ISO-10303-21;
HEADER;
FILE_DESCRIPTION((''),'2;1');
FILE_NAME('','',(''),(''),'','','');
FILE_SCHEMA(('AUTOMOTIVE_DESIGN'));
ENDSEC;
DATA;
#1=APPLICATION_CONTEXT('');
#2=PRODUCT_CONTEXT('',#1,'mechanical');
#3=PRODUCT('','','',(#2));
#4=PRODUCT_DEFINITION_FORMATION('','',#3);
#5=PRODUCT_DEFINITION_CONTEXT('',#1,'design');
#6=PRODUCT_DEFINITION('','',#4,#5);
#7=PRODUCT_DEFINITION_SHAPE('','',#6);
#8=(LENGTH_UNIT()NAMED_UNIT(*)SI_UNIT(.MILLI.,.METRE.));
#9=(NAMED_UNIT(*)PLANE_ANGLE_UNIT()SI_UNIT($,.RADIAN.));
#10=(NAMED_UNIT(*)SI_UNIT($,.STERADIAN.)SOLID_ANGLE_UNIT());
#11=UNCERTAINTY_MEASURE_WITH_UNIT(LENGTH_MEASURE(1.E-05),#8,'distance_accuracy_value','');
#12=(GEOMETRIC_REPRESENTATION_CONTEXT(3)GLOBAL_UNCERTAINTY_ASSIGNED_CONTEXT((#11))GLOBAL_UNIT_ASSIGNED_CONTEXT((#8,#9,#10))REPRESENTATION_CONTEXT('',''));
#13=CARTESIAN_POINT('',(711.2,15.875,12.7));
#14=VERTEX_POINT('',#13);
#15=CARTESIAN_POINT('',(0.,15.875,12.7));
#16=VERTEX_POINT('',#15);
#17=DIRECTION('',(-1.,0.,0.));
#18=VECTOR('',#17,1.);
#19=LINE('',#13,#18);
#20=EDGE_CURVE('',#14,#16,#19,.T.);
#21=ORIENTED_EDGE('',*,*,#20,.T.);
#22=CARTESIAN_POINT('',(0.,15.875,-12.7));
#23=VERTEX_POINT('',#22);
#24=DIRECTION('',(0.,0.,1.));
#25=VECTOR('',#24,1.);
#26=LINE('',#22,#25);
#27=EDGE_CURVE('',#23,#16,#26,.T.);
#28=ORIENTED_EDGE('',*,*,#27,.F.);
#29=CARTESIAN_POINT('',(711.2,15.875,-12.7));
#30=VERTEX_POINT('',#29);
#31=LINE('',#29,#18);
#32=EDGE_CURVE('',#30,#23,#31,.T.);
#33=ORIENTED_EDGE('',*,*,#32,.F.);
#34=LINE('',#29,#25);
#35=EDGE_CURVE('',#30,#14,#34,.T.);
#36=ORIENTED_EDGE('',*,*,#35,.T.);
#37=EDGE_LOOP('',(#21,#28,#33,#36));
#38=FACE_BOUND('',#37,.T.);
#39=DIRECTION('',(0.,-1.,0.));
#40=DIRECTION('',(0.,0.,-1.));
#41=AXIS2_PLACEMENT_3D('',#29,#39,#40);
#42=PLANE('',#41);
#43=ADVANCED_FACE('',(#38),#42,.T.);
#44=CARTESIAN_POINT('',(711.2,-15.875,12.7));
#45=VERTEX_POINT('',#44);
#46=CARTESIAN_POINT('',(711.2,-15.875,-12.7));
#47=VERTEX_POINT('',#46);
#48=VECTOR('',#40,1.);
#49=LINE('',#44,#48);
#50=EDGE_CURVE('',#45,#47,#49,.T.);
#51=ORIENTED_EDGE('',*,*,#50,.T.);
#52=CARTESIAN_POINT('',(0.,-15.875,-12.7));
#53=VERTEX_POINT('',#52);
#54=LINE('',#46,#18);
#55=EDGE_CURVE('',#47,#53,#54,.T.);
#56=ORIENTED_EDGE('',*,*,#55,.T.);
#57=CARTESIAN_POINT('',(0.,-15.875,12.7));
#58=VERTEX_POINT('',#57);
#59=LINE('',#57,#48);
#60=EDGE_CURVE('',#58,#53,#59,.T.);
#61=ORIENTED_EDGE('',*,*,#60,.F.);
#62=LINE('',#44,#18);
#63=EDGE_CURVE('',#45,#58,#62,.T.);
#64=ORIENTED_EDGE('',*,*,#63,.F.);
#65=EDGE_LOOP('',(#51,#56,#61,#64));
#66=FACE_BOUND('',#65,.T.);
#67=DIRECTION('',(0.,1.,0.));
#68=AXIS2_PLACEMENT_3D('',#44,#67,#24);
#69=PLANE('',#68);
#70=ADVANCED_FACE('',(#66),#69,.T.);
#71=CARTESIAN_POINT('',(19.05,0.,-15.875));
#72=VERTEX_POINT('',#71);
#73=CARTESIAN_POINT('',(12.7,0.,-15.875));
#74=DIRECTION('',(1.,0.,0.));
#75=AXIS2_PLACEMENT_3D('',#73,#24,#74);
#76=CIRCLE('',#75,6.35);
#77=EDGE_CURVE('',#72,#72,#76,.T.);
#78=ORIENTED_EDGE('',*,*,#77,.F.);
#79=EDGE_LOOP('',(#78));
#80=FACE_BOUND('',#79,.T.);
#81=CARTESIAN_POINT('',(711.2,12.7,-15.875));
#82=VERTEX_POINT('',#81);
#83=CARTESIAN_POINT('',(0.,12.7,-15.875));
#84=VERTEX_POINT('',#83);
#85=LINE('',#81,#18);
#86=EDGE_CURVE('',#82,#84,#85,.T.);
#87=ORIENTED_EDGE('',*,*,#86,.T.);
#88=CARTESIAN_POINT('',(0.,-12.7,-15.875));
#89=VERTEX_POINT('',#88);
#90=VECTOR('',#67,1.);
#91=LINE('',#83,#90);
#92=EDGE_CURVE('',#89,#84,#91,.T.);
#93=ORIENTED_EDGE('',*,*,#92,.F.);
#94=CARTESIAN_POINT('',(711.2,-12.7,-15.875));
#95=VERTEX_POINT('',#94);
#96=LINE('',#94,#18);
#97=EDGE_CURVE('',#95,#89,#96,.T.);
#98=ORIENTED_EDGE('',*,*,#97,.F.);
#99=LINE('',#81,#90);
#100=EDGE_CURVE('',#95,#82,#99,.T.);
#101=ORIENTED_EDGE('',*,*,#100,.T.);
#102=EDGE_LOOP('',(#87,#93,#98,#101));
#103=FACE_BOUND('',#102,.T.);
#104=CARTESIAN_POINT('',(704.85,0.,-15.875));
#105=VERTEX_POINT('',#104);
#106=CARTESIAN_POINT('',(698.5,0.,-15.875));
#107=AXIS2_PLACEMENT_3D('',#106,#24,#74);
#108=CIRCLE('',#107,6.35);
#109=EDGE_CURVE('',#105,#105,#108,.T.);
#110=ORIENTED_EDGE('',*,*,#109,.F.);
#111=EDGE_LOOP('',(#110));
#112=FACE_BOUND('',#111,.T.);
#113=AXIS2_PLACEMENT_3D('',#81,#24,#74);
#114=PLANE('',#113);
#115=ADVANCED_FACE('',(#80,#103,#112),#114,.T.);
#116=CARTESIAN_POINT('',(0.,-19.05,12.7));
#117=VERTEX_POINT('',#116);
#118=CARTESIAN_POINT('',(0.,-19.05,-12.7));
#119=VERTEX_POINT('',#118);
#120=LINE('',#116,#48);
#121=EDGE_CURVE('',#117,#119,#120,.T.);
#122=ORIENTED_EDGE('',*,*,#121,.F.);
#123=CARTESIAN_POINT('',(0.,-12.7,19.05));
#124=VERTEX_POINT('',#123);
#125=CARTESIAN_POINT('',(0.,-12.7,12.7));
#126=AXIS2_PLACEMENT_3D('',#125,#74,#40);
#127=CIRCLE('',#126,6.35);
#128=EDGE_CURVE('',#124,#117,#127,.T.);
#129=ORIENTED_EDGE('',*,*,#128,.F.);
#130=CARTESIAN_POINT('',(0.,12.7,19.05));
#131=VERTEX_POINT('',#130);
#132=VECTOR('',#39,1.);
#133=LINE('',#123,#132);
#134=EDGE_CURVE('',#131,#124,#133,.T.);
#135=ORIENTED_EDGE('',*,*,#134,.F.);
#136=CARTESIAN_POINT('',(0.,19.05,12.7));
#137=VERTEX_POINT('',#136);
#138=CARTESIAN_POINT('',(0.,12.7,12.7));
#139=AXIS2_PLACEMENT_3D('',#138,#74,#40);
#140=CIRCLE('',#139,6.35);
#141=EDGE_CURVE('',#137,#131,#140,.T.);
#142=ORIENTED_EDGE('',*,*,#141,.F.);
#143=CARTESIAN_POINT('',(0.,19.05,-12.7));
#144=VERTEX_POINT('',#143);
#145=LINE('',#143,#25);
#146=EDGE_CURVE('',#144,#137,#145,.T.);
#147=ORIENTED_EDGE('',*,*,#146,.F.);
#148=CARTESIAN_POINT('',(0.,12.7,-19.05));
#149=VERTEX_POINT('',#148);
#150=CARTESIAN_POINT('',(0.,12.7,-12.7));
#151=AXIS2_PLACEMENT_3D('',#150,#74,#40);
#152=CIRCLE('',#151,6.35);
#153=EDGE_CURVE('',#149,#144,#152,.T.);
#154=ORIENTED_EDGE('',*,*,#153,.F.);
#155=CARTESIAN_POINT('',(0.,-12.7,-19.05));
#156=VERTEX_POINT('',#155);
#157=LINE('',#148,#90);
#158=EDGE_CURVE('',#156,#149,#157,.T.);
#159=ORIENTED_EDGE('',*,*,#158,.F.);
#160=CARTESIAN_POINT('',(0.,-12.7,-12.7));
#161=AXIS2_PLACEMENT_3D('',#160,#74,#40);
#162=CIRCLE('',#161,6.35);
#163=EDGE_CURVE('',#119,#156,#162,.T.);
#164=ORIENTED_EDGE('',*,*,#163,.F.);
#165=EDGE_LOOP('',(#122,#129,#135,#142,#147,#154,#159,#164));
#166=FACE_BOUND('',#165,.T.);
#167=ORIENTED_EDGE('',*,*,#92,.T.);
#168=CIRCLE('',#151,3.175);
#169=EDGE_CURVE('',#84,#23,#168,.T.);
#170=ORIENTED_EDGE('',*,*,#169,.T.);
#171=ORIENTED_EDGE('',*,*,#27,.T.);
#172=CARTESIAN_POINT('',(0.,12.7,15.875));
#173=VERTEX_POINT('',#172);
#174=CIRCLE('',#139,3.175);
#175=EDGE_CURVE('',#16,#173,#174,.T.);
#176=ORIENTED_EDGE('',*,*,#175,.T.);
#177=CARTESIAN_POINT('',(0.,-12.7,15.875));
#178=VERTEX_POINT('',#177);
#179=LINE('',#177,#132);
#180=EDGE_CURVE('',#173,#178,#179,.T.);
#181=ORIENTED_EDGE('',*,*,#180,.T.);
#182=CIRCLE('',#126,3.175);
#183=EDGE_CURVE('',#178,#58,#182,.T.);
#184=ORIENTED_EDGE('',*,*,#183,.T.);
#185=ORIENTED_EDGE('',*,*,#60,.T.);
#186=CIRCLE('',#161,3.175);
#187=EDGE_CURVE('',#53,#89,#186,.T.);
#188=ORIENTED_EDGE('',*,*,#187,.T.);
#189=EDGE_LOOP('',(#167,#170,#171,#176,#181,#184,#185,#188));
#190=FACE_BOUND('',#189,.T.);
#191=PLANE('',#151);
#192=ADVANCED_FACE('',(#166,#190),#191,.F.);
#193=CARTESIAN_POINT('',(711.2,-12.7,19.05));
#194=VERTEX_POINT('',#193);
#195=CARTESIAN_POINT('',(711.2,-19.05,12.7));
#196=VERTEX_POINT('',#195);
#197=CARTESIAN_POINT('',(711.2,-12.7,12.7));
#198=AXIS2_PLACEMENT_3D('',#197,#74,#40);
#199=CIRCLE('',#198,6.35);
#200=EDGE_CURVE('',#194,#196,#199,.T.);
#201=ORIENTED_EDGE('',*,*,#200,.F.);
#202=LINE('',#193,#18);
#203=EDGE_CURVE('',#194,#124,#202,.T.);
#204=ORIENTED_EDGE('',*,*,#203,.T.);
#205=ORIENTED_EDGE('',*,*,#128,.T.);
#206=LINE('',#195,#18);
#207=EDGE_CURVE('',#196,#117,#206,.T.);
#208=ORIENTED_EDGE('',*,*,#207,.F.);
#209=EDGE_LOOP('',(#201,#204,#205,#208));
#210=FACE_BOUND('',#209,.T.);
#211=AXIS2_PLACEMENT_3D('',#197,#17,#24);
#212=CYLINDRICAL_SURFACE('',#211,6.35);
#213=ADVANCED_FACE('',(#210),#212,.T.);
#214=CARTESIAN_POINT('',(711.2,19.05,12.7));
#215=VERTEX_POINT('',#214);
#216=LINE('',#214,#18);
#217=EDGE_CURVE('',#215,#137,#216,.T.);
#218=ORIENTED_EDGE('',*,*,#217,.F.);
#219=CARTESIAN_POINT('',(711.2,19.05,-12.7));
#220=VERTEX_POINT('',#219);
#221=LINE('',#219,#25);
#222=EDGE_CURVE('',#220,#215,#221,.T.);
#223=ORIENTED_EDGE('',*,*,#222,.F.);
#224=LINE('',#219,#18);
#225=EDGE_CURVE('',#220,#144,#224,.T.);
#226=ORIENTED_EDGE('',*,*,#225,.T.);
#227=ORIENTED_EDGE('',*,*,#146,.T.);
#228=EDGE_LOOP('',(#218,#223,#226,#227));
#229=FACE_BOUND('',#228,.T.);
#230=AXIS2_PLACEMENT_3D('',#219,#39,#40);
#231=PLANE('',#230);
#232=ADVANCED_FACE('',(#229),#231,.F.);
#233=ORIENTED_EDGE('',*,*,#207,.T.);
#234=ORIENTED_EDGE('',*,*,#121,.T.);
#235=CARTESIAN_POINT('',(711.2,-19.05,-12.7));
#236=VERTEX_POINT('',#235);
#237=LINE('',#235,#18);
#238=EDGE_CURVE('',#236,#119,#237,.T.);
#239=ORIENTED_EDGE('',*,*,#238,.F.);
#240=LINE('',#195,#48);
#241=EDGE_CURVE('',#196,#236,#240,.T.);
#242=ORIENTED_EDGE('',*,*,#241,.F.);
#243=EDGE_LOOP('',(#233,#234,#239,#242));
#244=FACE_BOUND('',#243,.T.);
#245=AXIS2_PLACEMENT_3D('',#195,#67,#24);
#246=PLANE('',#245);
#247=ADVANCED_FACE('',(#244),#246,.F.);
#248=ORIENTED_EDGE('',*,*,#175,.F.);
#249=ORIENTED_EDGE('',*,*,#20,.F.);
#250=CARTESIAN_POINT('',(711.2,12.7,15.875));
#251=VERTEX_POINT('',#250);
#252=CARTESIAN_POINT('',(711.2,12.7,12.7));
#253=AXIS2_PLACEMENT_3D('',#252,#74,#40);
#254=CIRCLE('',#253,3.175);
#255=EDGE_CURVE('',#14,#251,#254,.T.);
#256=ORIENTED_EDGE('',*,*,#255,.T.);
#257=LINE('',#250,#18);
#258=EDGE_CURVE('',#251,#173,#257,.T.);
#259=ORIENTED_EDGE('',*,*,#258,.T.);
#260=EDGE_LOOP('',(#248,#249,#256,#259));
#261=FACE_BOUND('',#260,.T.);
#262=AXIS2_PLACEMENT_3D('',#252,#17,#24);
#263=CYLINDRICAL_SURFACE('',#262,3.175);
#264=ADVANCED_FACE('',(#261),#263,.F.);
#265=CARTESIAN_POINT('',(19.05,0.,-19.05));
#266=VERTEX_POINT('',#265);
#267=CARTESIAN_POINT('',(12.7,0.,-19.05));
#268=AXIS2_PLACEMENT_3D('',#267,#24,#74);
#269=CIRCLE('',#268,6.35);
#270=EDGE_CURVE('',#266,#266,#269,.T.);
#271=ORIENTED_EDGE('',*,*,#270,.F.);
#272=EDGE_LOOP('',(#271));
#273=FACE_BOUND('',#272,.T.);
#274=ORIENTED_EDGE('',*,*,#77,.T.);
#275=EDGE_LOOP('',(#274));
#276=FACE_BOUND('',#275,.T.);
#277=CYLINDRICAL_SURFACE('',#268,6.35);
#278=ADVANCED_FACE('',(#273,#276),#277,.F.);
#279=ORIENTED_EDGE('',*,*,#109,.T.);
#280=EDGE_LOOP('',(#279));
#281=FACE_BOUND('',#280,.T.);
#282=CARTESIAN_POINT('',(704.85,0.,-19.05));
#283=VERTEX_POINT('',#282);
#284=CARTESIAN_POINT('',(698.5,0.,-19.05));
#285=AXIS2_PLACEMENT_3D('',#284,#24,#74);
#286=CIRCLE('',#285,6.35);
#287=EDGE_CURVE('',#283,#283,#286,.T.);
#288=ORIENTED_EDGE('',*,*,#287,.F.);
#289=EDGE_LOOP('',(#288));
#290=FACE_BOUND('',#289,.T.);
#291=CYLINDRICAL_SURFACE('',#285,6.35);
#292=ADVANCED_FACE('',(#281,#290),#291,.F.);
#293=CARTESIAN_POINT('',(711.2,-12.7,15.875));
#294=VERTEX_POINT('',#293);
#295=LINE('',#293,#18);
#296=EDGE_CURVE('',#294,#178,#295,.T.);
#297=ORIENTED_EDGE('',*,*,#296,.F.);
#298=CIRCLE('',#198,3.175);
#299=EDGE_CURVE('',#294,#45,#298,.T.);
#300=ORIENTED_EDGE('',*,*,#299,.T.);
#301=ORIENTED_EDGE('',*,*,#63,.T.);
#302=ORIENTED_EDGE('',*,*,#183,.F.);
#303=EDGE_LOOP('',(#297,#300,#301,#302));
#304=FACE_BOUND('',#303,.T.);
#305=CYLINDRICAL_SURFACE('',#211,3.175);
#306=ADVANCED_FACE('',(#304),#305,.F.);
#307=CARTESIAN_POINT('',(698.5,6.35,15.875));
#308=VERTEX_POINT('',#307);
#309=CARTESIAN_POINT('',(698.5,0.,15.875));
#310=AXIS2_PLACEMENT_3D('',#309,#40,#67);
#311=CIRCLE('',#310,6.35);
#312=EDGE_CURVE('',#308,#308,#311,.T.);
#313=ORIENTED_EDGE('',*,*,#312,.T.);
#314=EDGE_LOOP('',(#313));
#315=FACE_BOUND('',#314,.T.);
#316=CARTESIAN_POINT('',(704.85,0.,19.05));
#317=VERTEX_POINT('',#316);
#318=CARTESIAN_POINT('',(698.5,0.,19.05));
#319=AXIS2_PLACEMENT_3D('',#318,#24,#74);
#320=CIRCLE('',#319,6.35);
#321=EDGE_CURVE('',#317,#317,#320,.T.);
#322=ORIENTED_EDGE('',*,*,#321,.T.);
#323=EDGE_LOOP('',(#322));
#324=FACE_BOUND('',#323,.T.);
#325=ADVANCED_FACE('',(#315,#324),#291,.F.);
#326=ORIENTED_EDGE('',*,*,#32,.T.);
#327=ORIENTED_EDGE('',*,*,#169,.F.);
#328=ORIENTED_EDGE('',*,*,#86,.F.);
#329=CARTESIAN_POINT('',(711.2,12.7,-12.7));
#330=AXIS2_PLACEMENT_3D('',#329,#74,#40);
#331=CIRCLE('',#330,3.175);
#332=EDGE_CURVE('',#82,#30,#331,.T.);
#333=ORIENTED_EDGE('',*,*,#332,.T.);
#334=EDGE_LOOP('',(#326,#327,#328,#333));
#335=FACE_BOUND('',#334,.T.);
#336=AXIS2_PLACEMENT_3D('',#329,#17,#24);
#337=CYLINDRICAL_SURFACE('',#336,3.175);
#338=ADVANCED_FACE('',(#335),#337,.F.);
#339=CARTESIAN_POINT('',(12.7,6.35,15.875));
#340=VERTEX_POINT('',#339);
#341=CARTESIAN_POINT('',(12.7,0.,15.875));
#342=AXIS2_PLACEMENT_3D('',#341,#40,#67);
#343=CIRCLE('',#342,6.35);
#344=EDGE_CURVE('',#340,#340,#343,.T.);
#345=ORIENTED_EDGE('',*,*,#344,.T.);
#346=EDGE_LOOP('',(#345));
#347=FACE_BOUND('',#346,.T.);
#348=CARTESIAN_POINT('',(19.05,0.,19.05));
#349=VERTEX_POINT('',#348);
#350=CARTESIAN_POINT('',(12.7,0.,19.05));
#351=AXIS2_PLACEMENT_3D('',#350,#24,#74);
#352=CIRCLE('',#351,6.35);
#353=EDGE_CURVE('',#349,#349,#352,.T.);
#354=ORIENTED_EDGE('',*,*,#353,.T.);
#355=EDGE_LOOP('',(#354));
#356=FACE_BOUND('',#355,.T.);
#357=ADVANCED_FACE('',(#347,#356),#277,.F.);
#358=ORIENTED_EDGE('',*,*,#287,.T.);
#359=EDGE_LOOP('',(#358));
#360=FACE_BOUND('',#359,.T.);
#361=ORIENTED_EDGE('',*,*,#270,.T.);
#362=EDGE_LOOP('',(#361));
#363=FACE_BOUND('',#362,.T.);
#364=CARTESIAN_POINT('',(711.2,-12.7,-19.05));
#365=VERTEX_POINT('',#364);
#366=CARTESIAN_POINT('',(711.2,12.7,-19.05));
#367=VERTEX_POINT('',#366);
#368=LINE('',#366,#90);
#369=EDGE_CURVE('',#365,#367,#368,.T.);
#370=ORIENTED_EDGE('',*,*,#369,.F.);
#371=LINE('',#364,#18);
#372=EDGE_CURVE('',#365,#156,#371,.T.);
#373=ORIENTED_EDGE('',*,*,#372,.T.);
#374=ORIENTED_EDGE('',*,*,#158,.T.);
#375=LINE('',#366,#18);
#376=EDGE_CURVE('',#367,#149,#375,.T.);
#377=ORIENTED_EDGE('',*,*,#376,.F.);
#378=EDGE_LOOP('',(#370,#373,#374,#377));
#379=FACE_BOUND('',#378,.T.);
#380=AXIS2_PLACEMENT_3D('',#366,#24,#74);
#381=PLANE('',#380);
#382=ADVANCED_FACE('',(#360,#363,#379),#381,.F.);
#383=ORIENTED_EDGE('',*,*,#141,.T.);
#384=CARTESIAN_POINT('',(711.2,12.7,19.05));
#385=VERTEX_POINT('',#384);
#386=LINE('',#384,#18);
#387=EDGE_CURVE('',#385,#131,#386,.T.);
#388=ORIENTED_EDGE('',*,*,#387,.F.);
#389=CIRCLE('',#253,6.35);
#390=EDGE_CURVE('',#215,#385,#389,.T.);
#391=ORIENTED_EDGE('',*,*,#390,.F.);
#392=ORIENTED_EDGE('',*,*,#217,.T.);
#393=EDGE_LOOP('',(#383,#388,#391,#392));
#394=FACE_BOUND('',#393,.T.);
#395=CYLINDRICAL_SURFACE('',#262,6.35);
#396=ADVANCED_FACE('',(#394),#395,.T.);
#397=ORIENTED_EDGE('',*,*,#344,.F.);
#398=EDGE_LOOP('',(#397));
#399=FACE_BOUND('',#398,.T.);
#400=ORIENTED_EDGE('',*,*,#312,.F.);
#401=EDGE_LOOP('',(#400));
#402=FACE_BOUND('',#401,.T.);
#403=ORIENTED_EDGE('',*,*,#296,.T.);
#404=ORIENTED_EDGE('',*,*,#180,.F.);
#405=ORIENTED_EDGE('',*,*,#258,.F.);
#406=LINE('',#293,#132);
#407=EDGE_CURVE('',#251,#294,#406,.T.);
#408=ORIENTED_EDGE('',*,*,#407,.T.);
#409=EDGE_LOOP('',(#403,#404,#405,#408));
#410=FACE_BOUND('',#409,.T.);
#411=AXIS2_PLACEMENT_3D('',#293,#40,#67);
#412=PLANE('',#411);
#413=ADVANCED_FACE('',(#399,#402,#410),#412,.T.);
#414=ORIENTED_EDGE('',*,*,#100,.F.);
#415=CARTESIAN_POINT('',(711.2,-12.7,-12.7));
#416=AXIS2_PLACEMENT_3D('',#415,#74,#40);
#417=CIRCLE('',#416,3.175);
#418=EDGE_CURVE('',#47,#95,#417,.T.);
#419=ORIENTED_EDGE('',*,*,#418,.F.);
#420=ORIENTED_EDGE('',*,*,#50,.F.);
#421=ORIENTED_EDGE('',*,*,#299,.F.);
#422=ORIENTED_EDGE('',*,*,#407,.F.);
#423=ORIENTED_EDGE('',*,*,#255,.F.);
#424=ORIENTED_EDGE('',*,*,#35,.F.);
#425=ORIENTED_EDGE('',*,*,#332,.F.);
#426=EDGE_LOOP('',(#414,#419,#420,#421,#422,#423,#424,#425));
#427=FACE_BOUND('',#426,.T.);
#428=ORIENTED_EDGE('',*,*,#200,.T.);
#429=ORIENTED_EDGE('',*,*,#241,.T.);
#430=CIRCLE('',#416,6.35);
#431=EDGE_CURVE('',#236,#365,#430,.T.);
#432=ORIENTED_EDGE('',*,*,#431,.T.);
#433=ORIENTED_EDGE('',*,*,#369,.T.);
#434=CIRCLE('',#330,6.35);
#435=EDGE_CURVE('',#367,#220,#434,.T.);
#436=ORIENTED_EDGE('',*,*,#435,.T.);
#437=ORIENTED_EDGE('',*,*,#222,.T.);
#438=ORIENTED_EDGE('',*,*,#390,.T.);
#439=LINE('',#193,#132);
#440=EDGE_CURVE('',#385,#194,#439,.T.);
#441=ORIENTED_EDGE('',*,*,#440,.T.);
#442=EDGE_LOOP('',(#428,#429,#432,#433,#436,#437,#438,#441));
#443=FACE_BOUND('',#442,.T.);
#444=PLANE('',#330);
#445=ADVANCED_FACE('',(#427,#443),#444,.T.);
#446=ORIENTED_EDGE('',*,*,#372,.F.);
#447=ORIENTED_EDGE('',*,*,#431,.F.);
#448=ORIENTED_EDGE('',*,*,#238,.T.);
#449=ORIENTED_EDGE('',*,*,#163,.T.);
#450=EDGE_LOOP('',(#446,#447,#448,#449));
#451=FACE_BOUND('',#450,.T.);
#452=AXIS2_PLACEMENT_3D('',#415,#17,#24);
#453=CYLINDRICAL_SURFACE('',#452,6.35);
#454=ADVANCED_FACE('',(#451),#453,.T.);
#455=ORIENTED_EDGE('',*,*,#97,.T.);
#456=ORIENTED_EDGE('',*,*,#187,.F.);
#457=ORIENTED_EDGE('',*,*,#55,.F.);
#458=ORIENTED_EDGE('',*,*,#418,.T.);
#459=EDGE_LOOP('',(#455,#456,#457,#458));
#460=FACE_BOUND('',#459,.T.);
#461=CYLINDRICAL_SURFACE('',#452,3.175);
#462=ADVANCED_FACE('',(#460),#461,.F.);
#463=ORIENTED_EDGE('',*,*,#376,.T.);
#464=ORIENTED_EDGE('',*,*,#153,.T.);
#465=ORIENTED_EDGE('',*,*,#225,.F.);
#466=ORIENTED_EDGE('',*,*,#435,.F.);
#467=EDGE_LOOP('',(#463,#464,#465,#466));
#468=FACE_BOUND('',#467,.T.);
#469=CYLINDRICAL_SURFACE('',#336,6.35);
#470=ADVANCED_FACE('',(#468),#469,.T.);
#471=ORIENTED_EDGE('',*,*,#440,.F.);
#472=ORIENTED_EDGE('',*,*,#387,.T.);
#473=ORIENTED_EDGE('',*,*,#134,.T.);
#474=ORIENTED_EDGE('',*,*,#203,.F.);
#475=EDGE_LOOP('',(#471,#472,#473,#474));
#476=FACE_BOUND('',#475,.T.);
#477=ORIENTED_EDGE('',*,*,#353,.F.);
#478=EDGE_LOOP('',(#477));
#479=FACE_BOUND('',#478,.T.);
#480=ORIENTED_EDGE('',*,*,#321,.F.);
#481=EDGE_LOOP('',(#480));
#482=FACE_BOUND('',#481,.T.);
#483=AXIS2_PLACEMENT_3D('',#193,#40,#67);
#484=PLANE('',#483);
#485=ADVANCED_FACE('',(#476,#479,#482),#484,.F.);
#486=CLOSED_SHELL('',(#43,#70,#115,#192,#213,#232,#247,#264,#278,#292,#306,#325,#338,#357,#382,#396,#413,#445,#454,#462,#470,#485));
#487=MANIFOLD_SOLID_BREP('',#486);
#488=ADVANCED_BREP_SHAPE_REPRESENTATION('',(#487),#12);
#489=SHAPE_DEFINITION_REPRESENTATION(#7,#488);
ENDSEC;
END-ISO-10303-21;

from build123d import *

# Parameters (mm, degrees)
STRUCTURAL_MEMBER1_DEPTH = 711.2
SKETCH2_R                = 6.35
CUT_EXTRUDE1_DEPTH       = 713.474527615
SKETCH3_R                = 6.35
CUT_EXTRUDE2_DEPTH       = 713.474527615


with BuildPart() as part:
    # Sketch1 → Structural Member1 (new body)
    with BuildSketch(Plane(origin=(0, 0, 0), x_dir=(0, 0, -1), z_dir=(1, 0, 0))):
        with BuildLine():
            Line((-12.7, -19.05), (12.7, -19.05))
            ThreePointArc((12.7, -19.05), (17.190128061, -17.190128061), (19.05, -12.7))
            Line((19.05, -12.7), (19.05, 12.7))
            ThreePointArc((19.05, 12.7), (17.190128061, 17.190128061), (12.7, 19.05))
            Line((12.7, 19.05), (-12.7, 19.05))
            ThreePointArc((-12.7, 19.05), (-17.190128061, 17.190128061), (-19.05, 12.7))
            Line((-19.05, 12.7), (-19.05, -12.7))
            ThreePointArc((-19.05, -12.7), (-17.190128061, -17.190128061), (-12.7, -19.05))
        make_face()
        with BuildLine():
            Line((-12.7, -15.875), (12.7, -15.875))
            ThreePointArc((12.7, -15.875), (14.94506403, -14.94506403), (15.875, -12.7))
            Line((15.875, -12.7), (15.875, 12.7))
            ThreePointArc((15.875, 12.7), (14.94506403, 14.94506403), (12.7, 15.875))
            Line((12.7, 15.875), (-12.7, 15.875))
            ThreePointArc((-12.7, 15.875), (-14.94506403, 14.94506403), (-15.875, 12.7))
            Line((-15.875, 12.7), (-15.875, -12.7))
            ThreePointArc((-15.875, -12.7), (-14.94506403, -14.94506403), (-12.7, -15.875))
        make_face(mode=Mode.SUBTRACT)
    extrude(amount=STRUCTURAL_MEMBER1_DEPTH)

    # Sketch2 → Cut-Extrude1 (cut, through all)
    with BuildSketch(Plane.XY.offset(19.05)):
        with Locations((12.7, 0)):
            Circle(SKETCH2_R)
    extrude(amount=-CUT_EXTRUDE1_DEPTH, mode=Mode.SUBTRACT)

    # Sketch3 → Cut-Extrude2 (cut, through all)
    with BuildSketch(Plane.XY.offset(19.05)):
        with Locations((698.5, 0)):
            Circle(SKETCH3_R)
    extrude(amount=-CUT_EXTRUDE2_DEPTH, mode=Mode.SUBTRACT)


solid = part.part
